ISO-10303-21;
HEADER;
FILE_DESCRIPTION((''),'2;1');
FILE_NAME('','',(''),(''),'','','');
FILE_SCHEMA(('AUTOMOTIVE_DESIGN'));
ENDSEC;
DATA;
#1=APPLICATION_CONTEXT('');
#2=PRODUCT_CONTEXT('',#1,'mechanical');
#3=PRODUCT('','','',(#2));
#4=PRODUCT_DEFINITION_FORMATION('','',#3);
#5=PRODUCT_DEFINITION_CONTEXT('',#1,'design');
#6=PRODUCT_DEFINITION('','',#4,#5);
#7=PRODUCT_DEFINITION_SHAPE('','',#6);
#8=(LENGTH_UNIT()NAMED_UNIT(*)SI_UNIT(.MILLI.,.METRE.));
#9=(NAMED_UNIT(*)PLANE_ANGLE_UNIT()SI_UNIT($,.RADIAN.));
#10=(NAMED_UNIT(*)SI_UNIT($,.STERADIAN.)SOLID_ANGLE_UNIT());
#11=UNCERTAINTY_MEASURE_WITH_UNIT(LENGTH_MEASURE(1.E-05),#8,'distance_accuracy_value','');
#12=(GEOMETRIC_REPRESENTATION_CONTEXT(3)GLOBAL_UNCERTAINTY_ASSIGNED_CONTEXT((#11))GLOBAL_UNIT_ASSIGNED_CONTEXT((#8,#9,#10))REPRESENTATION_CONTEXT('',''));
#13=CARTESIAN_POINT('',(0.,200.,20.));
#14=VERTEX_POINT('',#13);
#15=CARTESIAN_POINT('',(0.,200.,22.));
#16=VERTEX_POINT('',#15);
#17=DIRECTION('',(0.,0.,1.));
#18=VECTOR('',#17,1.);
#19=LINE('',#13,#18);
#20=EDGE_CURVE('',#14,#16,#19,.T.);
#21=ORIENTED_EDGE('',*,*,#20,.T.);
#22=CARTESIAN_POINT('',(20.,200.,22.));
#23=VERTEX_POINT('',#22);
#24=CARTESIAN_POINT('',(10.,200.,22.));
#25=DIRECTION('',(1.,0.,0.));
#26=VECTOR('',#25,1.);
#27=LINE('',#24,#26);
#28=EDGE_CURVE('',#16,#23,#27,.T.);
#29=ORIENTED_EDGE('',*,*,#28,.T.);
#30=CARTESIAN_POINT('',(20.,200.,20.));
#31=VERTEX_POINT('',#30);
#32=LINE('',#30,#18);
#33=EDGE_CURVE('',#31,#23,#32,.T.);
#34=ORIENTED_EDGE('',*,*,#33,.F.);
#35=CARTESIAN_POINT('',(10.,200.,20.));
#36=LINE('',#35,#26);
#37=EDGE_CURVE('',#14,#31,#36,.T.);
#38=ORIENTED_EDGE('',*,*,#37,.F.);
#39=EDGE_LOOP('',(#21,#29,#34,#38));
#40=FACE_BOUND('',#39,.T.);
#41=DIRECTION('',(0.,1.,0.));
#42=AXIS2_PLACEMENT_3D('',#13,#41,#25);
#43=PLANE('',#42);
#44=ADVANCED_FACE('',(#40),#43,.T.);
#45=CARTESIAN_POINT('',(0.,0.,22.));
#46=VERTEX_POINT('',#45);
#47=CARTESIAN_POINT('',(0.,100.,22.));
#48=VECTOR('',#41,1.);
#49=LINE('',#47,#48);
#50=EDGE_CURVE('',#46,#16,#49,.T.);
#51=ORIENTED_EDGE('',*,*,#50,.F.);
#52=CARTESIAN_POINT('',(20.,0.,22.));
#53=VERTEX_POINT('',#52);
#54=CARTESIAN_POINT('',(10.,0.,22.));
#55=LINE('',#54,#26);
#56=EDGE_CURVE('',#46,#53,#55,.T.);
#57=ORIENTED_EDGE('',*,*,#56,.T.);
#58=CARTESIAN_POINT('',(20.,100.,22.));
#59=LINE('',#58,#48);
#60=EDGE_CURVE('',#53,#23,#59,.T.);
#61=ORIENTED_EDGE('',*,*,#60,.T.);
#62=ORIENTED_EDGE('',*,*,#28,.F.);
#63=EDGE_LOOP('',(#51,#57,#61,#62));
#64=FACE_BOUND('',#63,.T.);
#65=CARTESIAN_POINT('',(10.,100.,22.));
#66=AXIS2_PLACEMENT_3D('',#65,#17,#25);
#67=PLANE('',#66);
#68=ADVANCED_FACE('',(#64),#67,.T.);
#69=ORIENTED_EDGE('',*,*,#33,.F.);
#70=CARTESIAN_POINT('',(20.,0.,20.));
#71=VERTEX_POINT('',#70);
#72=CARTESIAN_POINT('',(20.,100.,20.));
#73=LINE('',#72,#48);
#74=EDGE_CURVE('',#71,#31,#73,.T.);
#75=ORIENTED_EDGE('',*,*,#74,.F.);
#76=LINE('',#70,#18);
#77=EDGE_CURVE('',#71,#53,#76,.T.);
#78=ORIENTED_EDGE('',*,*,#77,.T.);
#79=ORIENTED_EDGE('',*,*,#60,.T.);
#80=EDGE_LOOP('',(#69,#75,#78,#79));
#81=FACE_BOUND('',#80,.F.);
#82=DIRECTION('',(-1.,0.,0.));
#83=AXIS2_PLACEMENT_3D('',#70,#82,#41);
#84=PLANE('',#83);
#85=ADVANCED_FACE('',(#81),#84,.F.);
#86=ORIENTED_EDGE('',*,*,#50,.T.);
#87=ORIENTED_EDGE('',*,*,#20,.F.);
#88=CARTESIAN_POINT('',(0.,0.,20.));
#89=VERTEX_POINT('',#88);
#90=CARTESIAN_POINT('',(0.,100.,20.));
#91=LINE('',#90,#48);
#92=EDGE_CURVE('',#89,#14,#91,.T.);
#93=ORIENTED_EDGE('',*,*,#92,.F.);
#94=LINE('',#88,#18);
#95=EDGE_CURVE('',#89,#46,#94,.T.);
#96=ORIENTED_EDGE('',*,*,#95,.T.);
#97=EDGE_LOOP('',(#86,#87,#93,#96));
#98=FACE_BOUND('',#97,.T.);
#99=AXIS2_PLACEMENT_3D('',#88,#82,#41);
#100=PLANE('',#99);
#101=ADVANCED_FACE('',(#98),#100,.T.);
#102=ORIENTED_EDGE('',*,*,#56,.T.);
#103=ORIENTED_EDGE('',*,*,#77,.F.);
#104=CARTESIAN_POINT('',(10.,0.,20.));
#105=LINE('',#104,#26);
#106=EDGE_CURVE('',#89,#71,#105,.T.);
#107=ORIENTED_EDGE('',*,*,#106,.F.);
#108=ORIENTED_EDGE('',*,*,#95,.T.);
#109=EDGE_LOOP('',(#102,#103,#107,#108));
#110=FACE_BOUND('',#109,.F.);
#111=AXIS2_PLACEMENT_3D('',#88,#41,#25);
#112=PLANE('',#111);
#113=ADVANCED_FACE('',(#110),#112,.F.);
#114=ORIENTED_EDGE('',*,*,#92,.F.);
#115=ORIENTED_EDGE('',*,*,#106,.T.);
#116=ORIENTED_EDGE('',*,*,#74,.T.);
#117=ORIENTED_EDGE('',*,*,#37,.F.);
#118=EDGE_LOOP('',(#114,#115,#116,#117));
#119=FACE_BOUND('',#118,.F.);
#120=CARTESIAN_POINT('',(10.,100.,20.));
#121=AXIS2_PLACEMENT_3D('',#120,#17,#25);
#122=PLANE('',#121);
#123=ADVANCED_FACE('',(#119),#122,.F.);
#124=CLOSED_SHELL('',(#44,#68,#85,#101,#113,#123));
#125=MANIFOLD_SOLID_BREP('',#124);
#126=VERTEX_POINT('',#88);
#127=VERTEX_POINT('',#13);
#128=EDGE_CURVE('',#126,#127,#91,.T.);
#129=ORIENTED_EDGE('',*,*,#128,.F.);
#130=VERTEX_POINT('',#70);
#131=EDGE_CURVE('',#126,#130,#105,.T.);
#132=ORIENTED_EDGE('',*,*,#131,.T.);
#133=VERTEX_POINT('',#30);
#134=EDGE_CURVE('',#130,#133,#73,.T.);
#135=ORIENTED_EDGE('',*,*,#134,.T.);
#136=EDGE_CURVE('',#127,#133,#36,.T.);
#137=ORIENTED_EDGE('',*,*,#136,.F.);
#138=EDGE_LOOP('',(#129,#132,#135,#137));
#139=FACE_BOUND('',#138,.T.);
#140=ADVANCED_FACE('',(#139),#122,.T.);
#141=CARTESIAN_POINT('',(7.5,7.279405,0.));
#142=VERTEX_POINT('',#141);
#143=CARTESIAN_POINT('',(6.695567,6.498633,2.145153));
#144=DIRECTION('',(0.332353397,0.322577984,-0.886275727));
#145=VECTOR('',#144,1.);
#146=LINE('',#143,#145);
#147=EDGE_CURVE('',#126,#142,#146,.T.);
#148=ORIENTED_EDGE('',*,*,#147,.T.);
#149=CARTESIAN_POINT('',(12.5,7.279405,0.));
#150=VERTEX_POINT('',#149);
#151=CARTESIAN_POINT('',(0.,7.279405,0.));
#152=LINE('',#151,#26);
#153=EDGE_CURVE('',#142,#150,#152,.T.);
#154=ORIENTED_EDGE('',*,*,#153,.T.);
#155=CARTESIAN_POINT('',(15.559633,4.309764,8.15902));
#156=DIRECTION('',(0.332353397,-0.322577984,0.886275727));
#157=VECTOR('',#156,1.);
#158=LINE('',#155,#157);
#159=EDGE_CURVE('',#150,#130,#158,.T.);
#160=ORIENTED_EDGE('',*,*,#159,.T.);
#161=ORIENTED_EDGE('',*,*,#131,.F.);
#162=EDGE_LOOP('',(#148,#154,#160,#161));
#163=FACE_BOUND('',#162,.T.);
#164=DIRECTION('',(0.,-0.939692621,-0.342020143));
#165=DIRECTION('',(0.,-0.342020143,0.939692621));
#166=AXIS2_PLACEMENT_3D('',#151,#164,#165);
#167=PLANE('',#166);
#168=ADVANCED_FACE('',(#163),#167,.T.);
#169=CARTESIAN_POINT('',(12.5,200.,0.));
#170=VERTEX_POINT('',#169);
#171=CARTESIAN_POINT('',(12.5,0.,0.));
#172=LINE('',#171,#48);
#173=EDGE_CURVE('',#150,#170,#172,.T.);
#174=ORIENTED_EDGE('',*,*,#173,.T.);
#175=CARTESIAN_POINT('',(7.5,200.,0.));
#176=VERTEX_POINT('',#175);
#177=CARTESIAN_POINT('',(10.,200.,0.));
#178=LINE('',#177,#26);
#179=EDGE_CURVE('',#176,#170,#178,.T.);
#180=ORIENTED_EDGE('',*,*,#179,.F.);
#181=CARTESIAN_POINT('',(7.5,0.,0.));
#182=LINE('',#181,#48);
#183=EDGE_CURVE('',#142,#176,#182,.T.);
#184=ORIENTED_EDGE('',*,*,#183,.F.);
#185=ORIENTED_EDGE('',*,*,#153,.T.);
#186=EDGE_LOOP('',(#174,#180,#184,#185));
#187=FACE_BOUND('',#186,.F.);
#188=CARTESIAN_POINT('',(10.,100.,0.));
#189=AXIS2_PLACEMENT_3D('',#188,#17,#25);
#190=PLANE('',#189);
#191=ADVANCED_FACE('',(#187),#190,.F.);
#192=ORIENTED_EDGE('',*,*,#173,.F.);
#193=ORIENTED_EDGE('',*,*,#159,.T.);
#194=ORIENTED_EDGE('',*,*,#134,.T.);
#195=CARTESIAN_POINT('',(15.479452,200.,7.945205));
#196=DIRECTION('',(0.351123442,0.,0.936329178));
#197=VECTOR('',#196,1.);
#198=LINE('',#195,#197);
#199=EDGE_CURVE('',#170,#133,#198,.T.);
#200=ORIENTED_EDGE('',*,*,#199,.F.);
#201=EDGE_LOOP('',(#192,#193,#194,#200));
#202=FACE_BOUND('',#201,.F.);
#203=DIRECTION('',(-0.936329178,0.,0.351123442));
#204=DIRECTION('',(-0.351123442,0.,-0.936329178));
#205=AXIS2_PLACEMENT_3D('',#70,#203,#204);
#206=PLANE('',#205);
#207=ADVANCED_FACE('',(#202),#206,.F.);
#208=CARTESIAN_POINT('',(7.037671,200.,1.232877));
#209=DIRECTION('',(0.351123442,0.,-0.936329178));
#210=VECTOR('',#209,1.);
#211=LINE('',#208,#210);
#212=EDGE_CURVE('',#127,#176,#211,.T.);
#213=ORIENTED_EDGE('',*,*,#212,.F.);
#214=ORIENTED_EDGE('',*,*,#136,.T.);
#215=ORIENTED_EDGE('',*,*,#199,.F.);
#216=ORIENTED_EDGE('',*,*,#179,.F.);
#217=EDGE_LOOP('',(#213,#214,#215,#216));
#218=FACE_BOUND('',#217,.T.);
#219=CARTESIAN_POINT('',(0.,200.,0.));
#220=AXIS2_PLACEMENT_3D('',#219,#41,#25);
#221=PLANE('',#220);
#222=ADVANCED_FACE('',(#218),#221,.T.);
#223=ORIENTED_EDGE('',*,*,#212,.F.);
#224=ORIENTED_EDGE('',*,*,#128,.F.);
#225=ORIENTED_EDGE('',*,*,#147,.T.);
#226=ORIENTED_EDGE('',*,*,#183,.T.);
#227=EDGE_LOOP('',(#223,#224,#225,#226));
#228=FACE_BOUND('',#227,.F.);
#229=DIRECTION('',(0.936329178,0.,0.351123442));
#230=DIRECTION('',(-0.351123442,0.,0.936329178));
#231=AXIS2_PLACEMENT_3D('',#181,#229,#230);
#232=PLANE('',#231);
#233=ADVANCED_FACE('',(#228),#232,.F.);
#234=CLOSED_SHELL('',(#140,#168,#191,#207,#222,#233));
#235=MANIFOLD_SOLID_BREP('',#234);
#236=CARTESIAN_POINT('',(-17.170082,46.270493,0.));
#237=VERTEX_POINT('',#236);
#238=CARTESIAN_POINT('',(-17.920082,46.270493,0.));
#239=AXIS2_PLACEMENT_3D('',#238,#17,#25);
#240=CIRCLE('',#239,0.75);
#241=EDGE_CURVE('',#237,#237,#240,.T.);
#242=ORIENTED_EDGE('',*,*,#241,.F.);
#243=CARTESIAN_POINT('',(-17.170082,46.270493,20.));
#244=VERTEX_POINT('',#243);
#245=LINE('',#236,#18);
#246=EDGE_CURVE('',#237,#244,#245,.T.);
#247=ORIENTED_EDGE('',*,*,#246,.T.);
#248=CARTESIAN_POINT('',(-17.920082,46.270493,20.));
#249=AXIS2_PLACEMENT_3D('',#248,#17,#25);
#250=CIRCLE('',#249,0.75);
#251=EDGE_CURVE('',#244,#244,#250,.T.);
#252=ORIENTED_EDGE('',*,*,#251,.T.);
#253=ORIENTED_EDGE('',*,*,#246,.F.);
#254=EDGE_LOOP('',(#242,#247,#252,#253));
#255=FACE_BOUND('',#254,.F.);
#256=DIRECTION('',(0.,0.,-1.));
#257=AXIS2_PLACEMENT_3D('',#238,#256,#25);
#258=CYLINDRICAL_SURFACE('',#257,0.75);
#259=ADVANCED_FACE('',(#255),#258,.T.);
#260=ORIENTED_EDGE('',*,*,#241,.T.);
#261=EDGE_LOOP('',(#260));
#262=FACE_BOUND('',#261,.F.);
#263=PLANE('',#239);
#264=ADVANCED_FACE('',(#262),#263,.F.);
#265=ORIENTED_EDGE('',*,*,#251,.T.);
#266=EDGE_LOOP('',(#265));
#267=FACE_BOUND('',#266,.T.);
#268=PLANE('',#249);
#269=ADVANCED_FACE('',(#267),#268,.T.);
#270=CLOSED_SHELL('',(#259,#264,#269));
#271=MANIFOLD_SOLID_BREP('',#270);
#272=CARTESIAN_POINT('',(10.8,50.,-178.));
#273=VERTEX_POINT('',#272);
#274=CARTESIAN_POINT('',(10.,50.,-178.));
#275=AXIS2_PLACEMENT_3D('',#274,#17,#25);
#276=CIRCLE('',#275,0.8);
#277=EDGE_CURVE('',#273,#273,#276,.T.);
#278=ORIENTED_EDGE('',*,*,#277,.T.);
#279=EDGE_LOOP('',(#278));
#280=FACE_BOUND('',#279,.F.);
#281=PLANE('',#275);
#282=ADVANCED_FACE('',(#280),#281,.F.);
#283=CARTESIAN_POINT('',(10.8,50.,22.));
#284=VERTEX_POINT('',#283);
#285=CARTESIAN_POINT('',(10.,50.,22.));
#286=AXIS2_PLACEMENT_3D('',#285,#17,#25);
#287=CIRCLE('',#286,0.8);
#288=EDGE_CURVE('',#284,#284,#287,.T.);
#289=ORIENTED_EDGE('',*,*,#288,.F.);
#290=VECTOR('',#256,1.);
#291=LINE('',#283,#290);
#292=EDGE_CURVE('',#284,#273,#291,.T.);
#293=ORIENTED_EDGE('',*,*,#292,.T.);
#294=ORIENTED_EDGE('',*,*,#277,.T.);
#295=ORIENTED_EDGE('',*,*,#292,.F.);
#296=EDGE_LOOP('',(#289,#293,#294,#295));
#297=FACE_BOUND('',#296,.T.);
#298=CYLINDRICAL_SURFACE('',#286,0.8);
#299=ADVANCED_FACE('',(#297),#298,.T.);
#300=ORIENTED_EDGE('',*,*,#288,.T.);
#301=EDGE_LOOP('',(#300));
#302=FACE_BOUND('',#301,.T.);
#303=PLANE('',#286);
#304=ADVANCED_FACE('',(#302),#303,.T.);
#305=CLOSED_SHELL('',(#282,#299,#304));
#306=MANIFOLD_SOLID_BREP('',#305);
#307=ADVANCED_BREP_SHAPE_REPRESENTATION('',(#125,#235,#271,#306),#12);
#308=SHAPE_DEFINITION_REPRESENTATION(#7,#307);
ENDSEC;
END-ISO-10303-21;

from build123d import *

# Parameters (mm, degrees)
F0_W      = 20
F0_H      = 200
F1_DEPTH  = 20
F3_DEPTH  = 200.001
F5_DEPTH  = 20.001
F6_W      = 20
F6_H      = 200
F7_DEPTH  = 2
F8_R      = 0.8
F9_DEPTH  = 200
F10_R     = 0.75
F11_DEPTH = 20


with BuildPart() as f1:
    # F0 (on Top) → F1 (new body)
    with BuildSketch(Plane.XY):
        with Locations((10, 100)):
            Rectangle(F0_W, F0_H)
    extrude(amount=F1_DEPTH)

    # F2 (on face) → F3 (cut, through all)
    with BuildSketch(Plane.XZ):
        Polygon((7.5, 0), (0, 20), (0, 0), align=None)
        Polygon((20, 20), (12.5, 0), (20, 0), align=None)
    extrude(amount=-F3_DEPTH, mode=Mode.SUBTRACT)

    # F4 (on Right) → F5 (cut, through all)
    with BuildSketch(Plane.YZ):
        Polygon((0, 20), (0, 0), (7.2794046853, 0), align=None)
    extrude(amount=F5_DEPTH, mode=Mode.SUBTRACT)


with BuildPart() as f7:
    # F6 (on face) → F7 (new body)
    with BuildSketch(Plane.XY.offset(20)):
        with Locations((10, 100)):
            Rectangle(F6_W, F6_H)
    extrude(amount=F7_DEPTH)


with BuildPart() as f9:
    # F8 (on face) → F9 (new body)
    with BuildSketch(Plane.XY.offset(22)):
        with Locations((10, 50)):
            Circle(F8_R)
    extrude(amount=-F9_DEPTH)


with BuildPart() as f11:
    # F10 (on Top) → F11 (new body)
    with BuildSketch(Plane.XY):
        with Locations((-17.920082435, 46.270493418)):
            Circle(F10_R)
    extrude(amount=F11_DEPTH)


solid = Compound([f1.part, f7.part, f9.part, f11.part])
